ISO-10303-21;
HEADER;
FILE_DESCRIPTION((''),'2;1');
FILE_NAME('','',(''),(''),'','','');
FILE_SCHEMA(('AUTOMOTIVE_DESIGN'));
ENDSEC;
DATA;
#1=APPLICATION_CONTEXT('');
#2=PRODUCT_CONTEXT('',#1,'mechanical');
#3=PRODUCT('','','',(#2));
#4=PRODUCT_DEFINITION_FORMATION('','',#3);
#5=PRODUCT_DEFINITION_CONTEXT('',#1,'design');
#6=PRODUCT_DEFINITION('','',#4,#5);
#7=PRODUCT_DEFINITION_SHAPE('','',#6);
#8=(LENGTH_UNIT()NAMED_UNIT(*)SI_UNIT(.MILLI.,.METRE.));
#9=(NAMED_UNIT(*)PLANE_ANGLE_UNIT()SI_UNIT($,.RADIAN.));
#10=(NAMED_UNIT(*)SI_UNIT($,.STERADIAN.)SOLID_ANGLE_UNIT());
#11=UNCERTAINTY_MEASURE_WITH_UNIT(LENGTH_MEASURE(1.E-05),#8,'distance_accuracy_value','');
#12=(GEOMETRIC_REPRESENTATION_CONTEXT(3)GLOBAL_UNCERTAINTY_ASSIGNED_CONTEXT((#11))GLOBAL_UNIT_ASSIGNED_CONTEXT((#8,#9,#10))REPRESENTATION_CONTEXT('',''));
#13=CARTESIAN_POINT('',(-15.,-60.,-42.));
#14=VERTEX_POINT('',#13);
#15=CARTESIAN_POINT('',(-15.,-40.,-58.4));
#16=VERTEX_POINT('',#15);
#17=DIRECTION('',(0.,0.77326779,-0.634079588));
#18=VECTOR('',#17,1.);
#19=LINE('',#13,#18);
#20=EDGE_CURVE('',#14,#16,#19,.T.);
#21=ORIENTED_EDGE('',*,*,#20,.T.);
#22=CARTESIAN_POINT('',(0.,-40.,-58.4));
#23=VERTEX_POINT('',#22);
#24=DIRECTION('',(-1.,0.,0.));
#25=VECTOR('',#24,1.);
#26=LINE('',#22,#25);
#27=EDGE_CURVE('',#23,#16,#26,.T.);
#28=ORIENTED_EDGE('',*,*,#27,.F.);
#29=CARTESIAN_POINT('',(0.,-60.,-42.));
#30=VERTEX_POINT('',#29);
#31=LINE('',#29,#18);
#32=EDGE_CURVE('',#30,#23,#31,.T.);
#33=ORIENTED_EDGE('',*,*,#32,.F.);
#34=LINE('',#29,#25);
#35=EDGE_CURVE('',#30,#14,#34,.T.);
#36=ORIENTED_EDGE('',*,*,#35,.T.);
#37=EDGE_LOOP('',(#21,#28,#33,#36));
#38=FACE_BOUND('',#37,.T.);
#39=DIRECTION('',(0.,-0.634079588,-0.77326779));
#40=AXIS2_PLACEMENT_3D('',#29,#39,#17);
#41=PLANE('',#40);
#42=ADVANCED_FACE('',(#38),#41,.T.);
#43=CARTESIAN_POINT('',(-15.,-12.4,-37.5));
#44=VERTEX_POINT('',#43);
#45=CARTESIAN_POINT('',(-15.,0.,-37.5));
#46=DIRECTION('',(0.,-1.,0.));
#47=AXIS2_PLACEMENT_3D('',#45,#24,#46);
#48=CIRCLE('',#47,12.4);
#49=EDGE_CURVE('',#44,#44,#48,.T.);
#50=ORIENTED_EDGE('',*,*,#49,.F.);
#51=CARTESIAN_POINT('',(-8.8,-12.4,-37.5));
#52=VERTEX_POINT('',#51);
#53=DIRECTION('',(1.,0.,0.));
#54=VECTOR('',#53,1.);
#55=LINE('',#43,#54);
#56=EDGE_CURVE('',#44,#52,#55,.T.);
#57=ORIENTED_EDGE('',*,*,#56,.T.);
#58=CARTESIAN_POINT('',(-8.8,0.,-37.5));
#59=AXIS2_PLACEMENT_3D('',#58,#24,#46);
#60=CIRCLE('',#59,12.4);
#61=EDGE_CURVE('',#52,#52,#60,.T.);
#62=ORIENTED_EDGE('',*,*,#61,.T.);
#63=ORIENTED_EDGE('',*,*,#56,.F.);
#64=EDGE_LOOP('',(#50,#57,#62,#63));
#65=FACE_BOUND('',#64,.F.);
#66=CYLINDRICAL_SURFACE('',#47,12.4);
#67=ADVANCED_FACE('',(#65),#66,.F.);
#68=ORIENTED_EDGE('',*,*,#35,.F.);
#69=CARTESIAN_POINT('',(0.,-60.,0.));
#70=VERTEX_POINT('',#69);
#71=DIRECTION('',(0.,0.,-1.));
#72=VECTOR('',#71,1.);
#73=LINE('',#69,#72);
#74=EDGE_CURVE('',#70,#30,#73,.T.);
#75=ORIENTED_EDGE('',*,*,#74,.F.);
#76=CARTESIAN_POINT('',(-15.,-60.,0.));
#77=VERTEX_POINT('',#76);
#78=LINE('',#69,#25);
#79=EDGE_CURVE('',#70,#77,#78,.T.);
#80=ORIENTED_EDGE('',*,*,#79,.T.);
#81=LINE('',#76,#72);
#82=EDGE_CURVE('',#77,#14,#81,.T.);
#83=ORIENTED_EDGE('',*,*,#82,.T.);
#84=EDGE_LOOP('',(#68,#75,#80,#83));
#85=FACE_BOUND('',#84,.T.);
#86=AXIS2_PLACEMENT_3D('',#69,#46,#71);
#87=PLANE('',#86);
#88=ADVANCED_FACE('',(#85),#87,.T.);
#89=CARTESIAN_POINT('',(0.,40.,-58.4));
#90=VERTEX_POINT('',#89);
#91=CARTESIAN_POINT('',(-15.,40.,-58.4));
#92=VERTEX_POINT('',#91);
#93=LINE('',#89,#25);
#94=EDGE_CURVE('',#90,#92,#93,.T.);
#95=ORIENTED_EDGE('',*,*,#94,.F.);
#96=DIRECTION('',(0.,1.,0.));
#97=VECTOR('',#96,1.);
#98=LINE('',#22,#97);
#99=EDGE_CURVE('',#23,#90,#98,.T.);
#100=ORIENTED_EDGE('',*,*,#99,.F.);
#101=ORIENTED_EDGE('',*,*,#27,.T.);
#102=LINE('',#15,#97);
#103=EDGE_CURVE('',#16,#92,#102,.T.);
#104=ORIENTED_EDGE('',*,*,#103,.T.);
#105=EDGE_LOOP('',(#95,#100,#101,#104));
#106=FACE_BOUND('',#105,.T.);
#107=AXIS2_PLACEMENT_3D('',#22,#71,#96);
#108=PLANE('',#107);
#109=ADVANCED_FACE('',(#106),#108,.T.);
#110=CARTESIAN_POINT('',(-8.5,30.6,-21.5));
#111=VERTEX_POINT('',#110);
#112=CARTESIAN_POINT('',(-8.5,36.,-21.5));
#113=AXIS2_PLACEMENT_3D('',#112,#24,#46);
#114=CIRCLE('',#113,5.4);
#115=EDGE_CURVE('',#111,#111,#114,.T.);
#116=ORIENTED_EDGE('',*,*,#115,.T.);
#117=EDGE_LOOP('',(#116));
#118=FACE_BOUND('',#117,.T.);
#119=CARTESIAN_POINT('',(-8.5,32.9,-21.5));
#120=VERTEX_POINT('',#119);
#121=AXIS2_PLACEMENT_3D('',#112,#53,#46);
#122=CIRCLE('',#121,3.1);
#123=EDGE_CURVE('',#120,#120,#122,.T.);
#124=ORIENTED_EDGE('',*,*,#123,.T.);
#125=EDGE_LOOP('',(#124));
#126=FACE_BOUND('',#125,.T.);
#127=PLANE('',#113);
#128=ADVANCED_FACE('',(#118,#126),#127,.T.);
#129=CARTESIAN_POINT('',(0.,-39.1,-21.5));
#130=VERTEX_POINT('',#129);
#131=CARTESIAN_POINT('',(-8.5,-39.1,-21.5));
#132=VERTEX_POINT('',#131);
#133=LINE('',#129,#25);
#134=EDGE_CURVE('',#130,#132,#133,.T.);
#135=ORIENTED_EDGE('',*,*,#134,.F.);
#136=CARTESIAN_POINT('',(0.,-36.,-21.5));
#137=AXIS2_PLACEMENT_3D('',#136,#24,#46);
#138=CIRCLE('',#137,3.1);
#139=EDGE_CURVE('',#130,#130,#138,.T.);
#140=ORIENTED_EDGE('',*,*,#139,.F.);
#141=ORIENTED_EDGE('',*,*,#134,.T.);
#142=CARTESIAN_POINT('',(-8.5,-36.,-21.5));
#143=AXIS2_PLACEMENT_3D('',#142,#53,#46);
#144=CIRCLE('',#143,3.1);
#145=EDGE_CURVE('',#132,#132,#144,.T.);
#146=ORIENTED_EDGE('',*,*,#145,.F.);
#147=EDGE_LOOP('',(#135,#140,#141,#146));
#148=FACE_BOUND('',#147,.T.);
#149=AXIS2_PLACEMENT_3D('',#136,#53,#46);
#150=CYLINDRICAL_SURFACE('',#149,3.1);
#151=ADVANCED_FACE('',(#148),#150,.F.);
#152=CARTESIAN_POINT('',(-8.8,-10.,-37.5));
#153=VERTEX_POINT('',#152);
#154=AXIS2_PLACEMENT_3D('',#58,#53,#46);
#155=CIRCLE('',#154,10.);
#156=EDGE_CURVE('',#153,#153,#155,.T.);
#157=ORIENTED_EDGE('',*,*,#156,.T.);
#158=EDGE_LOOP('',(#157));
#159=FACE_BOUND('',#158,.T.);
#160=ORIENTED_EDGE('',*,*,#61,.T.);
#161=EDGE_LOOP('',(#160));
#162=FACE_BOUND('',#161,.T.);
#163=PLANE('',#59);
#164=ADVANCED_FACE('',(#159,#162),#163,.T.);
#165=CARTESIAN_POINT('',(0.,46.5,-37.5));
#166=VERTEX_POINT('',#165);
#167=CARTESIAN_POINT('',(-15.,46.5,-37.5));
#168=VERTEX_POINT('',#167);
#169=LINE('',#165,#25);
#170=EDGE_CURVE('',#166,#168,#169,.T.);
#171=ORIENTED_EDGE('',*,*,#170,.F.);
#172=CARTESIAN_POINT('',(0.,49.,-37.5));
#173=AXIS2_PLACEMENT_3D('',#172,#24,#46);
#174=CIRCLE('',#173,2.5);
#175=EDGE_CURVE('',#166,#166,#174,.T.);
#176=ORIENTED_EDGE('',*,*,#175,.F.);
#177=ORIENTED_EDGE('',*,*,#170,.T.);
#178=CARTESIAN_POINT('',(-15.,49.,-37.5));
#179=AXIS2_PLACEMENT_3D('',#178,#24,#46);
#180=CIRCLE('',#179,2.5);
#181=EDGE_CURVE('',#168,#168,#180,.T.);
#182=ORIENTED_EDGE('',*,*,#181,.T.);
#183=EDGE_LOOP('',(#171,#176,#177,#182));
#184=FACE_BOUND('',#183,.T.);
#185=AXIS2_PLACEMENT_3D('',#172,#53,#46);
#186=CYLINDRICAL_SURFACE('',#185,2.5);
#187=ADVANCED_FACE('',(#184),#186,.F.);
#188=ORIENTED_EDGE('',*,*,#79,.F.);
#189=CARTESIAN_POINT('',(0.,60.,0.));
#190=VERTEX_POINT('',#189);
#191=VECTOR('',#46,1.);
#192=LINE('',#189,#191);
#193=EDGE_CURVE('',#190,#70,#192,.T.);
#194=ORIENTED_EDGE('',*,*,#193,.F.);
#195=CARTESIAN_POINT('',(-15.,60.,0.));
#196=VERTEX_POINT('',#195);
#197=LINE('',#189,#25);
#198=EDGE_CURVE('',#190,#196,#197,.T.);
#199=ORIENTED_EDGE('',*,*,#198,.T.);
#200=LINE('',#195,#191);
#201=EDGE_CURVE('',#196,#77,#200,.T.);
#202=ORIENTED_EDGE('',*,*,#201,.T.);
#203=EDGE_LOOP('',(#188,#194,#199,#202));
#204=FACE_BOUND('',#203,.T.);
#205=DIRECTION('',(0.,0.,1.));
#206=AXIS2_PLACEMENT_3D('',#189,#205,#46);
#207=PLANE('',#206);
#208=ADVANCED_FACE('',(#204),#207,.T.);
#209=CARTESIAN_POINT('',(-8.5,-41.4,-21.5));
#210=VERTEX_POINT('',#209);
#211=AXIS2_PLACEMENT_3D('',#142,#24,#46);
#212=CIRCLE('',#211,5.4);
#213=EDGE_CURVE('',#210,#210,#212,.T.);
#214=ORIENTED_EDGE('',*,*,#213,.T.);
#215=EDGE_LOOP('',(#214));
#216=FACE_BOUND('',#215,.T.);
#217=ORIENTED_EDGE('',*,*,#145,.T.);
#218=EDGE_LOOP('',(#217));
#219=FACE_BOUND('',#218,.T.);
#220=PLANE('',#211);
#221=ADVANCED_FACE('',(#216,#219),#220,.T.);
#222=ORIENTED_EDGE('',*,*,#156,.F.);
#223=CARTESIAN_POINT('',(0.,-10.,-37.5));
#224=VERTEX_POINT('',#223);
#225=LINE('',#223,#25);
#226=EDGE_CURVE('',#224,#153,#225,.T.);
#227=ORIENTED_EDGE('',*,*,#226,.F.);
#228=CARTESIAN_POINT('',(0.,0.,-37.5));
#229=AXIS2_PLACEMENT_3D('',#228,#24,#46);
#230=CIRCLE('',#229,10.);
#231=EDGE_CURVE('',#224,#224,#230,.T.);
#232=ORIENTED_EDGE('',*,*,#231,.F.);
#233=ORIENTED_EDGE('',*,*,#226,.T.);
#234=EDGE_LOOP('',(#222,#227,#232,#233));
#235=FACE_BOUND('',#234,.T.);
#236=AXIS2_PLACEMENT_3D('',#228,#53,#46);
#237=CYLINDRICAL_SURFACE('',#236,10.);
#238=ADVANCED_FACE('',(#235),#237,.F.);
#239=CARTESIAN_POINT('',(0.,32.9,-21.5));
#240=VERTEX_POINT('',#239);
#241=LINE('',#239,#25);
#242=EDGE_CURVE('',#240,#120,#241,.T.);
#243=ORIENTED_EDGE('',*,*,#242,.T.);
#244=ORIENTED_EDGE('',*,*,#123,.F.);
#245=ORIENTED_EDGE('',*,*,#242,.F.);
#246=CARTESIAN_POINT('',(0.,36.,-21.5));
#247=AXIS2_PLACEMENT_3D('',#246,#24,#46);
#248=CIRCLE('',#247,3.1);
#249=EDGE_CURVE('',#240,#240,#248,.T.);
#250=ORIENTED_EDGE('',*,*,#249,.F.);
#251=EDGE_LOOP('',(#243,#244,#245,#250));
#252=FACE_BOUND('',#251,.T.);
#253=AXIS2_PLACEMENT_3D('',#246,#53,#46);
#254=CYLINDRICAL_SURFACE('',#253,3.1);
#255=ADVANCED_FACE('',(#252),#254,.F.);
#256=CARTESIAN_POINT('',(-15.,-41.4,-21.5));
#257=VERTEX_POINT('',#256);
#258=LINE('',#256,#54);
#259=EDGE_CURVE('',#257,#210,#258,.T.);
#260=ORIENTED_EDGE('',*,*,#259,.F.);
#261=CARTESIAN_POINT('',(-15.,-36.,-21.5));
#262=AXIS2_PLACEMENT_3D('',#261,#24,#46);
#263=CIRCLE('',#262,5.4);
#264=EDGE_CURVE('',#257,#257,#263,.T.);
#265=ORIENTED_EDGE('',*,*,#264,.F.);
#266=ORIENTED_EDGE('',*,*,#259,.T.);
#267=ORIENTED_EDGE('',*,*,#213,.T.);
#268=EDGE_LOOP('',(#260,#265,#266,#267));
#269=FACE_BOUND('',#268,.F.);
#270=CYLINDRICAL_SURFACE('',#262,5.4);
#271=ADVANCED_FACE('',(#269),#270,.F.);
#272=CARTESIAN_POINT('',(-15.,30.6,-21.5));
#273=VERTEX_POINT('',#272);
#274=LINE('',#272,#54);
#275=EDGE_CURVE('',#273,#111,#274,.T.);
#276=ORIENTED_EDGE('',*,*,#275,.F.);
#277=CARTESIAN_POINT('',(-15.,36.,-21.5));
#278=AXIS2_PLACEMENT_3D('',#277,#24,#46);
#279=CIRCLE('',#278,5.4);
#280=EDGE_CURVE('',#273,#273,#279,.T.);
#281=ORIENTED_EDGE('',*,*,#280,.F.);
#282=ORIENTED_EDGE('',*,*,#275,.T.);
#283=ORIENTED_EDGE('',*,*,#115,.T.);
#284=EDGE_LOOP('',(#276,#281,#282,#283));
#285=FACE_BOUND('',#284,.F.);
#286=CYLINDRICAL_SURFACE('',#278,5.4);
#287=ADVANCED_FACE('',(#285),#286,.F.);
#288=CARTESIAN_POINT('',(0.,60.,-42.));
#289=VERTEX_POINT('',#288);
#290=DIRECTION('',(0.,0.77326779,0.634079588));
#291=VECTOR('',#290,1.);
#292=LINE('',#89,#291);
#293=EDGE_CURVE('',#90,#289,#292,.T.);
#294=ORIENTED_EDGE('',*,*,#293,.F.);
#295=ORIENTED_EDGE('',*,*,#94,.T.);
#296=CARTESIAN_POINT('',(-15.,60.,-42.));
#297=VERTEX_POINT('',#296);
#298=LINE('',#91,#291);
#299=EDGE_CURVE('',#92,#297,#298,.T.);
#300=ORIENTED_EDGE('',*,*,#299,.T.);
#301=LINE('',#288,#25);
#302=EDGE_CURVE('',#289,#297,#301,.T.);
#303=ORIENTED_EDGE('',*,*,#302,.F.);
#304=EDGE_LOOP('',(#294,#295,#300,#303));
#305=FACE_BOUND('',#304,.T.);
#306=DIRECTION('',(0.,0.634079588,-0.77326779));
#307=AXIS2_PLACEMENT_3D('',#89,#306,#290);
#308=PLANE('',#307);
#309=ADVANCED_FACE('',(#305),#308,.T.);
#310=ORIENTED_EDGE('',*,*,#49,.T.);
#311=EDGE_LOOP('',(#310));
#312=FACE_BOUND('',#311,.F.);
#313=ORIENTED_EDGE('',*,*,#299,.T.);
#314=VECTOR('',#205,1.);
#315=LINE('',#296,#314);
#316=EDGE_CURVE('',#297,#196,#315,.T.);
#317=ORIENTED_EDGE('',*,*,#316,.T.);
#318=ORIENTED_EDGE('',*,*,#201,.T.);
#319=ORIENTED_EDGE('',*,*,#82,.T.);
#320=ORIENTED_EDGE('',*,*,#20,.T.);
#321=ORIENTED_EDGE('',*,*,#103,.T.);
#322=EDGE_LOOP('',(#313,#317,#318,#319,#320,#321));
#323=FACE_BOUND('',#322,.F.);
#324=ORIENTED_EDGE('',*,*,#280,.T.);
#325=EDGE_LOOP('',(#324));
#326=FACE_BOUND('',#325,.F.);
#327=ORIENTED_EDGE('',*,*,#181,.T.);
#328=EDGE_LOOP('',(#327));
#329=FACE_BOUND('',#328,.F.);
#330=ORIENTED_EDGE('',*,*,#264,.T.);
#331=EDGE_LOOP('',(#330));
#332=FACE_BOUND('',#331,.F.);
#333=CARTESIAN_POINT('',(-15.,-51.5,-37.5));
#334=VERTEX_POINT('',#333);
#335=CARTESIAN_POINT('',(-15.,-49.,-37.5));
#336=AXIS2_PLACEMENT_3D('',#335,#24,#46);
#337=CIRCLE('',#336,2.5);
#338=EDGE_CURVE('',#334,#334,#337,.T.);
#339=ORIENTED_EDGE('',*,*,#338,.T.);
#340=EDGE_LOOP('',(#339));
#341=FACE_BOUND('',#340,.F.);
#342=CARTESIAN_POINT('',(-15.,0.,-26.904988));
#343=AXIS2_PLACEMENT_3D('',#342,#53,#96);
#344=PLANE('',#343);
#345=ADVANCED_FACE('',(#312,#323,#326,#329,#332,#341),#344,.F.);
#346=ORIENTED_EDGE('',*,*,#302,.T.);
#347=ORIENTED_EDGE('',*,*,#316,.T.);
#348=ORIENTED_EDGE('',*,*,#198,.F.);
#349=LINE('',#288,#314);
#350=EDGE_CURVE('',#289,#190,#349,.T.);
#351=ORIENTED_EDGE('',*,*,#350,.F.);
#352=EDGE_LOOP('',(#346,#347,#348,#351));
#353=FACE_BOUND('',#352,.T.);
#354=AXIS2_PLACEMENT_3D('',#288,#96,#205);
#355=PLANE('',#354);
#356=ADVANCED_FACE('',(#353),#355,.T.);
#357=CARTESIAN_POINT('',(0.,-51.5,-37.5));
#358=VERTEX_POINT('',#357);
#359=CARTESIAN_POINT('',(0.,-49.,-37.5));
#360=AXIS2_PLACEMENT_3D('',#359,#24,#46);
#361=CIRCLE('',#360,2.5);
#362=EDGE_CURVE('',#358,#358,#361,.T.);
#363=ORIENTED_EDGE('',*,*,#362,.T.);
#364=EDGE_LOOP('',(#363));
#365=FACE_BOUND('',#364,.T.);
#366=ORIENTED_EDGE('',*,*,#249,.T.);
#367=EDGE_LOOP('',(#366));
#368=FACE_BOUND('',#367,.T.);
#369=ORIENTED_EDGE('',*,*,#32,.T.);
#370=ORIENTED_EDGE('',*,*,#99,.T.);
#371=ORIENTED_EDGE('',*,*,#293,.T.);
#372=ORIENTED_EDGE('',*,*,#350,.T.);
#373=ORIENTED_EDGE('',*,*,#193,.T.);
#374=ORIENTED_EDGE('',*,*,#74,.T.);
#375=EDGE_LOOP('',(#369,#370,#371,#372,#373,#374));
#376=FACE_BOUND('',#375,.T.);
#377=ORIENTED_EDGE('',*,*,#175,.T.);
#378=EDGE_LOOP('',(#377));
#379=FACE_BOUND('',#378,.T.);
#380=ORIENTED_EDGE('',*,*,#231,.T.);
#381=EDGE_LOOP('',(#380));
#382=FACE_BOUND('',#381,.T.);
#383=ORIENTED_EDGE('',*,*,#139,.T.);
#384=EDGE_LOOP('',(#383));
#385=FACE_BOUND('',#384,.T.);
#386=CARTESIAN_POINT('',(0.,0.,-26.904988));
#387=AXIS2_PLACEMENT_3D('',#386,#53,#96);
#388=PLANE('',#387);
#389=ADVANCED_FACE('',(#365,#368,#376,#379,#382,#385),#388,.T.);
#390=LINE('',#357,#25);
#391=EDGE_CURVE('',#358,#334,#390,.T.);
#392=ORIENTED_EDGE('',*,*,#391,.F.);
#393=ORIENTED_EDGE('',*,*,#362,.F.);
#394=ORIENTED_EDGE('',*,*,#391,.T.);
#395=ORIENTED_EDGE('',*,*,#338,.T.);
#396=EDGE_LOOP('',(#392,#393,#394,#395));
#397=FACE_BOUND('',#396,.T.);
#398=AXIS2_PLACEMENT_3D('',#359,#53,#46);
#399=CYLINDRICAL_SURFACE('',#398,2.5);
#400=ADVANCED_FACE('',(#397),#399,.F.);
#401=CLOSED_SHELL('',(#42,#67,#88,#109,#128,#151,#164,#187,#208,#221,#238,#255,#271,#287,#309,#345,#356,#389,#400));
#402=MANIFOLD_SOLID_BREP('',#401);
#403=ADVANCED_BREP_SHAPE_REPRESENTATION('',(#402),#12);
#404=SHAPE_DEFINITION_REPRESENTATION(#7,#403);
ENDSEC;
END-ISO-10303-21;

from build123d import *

# Parameters (mm, degrees)
SKETCH_R        = 10
SKETCH_R_2      = 3.1
SKETCH_R_3      = 2.5
PAD_DEPTH       = 15
SKETCH001_R     = 5.4
POCKET_DEPTH    = 6.5
SKETCH002_R     = 12.4
POCKET001_DEPTH = 6.2


with BuildPart() as part:
    # Sketch → Pad (new body)
    with BuildSketch(Plane(origin=(0, 0, 0), x_dir=(0, -1, 0), z_dir=(-1, 0, 0))):
        Polygon((-60, 0), (60, 0), (60, -42), (40, -58.4), (-40, -58.4), (-60, -42), align=None)
        with Locations((0, -37.5)):
            Circle(SKETCH_R, mode=Mode.SUBTRACT)
        with Locations((-36, -21.5)):
            Circle(SKETCH_R_2, mode=Mode.SUBTRACT)
        with Locations((36, -21.5)):
            Circle(SKETCH_R_2, mode=Mode.SUBTRACT)
        with Locations((49, -37.5)):
            Circle(SKETCH_R_3, mode=Mode.SUBTRACT)
        with Locations((-49, -37.5)):
            Circle(SKETCH_R_3, mode=Mode.SUBTRACT)
    extrude(amount=PAD_DEPTH)

    # Sketch001 → Pocket (cut)
    with BuildSketch(Plane(origin=(-15, 0, 0), x_dir=(0, -1, 0), z_dir=(-1, 0, 0))):
        with Locations((-36, -21.5)):
            Circle(SKETCH001_R)
        with Locations((36, -21.5)):
            Circle(SKETCH001_R)
    extrude(amount=-POCKET_DEPTH, mode=Mode.SUBTRACT)

    # Sketch002 → Pocket001 (cut)
    with BuildSketch(Plane(origin=(-15, 0, 0), x_dir=(0, -1, 0), z_dir=(-1, 0, 0))):
        with Locations((0, -37.5)):
            Circle(SKETCH002_R)
    extrude(amount=-POCKET001_DEPTH, mode=Mode.SUBTRACT)


solid = part.part
